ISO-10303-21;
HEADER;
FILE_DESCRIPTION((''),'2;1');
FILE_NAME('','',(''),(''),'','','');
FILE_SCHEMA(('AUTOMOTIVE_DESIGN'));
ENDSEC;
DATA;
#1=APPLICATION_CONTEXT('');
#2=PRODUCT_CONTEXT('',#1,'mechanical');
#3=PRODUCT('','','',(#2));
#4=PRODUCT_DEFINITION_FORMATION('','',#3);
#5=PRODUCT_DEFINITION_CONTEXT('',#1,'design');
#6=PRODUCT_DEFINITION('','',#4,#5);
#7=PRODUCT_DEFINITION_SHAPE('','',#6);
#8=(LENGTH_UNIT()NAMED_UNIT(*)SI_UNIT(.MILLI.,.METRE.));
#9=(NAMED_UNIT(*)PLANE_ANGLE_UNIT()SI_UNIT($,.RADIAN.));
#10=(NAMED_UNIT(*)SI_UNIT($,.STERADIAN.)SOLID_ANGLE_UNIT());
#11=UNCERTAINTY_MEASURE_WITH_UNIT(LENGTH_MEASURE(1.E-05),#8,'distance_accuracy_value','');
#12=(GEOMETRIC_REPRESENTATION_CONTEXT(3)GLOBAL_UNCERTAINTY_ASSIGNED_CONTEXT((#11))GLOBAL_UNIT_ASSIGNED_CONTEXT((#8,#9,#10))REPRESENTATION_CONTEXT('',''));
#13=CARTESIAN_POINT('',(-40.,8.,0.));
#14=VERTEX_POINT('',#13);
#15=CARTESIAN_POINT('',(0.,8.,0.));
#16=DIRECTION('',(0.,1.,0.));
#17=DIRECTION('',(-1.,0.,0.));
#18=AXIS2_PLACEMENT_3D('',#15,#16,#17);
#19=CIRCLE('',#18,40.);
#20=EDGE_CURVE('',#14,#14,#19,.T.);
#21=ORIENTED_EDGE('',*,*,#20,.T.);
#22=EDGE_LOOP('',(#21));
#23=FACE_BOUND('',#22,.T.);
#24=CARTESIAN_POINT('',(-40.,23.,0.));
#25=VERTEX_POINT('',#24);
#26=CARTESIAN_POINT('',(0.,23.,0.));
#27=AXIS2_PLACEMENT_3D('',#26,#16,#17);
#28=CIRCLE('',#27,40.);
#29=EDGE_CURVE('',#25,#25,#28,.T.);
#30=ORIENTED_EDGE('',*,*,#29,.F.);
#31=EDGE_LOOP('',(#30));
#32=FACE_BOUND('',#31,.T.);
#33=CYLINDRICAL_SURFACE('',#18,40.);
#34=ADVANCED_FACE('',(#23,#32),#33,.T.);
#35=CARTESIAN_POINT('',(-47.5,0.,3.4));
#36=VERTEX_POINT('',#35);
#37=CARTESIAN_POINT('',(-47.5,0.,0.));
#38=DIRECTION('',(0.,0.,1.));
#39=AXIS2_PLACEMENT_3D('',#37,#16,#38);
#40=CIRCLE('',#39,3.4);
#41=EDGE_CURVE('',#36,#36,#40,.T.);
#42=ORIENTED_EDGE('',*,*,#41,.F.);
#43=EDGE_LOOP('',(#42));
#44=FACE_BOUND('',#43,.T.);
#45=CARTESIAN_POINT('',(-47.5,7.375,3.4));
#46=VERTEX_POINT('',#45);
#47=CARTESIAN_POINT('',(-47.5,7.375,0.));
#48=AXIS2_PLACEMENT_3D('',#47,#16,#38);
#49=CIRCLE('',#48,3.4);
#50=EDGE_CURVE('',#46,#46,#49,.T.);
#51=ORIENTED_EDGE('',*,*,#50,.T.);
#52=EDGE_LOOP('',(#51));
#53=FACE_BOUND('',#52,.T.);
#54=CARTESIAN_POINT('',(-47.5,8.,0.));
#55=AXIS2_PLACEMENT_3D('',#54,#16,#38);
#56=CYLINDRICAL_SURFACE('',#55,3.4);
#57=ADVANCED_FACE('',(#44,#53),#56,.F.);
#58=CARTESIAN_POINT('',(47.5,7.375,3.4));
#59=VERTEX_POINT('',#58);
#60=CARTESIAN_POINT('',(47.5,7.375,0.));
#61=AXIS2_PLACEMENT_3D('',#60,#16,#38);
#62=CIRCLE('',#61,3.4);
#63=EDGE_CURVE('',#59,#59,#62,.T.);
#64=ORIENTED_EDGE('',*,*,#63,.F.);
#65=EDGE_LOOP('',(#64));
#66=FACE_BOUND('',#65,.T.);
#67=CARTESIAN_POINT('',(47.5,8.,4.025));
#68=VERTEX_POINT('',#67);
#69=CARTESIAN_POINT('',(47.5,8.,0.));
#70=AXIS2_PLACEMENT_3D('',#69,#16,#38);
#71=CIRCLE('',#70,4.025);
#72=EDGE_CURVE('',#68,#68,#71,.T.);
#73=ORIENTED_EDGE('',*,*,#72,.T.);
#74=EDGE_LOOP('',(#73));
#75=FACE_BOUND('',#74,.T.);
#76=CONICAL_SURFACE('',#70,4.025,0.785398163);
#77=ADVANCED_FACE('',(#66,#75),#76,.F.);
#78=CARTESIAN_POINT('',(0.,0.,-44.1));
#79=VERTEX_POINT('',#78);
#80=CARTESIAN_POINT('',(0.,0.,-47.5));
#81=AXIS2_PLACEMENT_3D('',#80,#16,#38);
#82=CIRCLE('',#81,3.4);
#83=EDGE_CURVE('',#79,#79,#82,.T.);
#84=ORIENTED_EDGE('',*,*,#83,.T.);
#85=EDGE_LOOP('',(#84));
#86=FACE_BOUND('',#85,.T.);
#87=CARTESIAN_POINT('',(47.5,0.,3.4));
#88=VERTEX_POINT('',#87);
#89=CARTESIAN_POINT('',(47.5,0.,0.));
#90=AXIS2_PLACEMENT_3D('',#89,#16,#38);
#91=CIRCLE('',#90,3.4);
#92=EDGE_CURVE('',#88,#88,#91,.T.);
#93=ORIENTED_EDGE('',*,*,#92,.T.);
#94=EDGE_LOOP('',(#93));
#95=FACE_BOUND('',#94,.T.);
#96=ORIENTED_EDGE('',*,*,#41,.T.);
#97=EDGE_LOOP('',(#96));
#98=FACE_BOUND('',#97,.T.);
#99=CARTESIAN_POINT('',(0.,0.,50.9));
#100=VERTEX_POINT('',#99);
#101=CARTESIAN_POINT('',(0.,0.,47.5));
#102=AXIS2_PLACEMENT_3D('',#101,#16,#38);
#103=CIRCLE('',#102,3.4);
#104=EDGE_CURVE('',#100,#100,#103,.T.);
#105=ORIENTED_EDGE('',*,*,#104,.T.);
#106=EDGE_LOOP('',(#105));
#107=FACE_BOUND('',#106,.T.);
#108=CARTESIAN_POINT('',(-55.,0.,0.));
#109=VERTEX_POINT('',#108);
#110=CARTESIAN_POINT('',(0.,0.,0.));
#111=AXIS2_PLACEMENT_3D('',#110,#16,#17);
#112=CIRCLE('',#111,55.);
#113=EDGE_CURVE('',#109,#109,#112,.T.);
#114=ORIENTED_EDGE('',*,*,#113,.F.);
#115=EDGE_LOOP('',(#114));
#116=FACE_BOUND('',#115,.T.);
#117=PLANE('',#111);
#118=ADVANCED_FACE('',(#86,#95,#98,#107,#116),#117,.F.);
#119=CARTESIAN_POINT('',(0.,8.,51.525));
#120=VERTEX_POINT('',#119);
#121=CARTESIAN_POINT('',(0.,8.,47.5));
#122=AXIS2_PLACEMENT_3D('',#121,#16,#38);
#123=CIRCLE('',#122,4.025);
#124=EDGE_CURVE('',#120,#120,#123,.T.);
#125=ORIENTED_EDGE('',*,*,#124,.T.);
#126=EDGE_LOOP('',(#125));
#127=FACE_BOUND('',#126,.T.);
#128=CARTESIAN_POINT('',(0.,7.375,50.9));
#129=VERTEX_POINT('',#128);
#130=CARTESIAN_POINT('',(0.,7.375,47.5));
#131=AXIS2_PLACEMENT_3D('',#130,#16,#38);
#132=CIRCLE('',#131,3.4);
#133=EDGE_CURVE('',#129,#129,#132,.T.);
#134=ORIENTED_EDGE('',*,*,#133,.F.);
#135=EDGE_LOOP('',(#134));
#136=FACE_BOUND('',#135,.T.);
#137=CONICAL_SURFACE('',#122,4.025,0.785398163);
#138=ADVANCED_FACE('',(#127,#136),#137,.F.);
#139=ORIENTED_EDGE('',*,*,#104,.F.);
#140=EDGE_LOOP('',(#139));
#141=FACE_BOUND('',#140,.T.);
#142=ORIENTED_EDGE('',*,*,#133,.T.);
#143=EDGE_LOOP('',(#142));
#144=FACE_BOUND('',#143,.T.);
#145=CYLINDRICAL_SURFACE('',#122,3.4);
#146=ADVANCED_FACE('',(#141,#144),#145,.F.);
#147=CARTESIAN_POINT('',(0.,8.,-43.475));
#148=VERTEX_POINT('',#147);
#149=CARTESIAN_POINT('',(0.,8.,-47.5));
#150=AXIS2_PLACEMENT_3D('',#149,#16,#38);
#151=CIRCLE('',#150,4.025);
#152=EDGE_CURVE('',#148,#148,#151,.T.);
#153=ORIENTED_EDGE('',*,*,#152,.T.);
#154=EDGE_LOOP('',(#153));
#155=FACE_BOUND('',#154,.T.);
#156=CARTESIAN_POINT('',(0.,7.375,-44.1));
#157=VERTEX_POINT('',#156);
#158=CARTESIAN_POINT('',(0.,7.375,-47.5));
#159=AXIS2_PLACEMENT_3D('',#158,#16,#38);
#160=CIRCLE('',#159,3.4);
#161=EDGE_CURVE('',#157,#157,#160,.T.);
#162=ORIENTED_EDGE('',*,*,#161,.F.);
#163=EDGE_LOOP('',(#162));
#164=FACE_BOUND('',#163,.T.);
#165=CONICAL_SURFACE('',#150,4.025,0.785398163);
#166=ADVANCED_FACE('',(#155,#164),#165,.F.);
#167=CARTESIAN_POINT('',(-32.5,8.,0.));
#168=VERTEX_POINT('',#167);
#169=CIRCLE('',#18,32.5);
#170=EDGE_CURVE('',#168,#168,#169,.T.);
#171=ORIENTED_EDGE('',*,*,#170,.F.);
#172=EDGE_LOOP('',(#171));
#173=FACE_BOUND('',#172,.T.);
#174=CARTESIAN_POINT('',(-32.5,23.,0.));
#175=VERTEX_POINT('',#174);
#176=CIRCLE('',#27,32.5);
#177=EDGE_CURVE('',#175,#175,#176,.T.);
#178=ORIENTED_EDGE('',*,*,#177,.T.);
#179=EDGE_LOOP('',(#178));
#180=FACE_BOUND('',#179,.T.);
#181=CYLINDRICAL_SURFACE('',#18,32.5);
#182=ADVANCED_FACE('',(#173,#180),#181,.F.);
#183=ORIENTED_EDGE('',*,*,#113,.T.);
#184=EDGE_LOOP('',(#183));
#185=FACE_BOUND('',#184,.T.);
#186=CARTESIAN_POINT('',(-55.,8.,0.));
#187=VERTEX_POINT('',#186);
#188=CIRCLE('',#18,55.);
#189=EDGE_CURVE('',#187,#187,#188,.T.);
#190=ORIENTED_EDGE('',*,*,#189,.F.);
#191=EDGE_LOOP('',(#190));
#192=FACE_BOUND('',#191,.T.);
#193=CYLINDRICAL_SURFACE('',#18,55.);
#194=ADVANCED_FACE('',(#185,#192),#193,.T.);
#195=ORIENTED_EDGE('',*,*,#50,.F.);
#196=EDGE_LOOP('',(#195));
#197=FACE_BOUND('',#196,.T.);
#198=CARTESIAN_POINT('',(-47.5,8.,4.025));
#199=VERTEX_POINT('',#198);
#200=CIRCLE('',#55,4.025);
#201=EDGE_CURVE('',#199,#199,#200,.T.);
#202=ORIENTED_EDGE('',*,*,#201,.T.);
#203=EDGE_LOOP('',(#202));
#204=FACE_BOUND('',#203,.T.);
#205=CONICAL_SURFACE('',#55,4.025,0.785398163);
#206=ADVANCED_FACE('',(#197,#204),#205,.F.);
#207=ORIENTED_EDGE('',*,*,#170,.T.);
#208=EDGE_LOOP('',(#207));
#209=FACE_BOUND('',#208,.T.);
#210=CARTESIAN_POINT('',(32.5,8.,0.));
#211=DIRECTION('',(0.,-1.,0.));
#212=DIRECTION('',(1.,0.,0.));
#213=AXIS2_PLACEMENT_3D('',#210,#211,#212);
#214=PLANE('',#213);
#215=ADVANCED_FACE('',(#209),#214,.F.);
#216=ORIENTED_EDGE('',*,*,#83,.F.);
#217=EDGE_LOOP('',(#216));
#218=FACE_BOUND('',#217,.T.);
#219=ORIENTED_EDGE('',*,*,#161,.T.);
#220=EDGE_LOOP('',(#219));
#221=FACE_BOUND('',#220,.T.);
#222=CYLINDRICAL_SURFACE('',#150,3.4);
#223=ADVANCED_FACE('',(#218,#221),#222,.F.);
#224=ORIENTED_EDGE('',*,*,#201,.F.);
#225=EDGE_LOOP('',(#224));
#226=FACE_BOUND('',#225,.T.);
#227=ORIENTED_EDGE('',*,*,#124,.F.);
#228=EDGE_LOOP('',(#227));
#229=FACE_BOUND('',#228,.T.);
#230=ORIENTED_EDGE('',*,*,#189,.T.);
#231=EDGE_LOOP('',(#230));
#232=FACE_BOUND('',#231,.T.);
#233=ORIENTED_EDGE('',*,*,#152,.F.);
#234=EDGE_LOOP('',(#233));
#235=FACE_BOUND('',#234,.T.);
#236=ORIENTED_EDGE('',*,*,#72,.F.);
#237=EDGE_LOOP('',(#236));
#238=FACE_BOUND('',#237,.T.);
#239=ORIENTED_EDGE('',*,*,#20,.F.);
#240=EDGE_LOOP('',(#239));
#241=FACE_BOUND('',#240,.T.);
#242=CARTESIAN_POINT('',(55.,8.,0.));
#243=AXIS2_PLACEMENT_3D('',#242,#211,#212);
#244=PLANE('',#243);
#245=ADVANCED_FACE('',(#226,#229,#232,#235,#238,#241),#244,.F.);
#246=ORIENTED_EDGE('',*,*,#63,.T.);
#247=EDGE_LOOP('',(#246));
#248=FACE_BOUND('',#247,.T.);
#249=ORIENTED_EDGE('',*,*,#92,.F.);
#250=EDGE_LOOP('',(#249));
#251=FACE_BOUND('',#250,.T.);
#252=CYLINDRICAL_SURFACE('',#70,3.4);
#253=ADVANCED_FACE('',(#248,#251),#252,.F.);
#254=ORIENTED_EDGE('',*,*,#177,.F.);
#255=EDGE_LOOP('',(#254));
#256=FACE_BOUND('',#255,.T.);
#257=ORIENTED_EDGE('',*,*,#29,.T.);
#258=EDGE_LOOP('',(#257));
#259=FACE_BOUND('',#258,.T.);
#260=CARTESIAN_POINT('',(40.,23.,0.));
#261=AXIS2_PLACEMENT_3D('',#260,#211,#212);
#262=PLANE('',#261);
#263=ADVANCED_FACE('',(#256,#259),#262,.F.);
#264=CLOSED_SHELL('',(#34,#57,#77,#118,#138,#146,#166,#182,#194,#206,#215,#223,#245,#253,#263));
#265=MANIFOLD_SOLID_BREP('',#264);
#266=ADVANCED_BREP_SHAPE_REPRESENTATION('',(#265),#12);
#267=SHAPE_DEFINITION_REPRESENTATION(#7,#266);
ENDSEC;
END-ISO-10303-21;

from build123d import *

# Parameters (mm, degrees)
HOLE_WIZARD_M8_1_D           = 6.8
HOLE_WIZARD_M8_1_CSINK_D     = 8.05
HOLE_WIZARD_M8_1_CSINK_ANGLE = 90


with BuildPart() as part:
    # 草图1 → 旋转1 (revolve)
    with BuildSketch(Plane.XY, mode=Mode.PRIVATE) as revolve_1_sk:
        Polygon((0, 0), (55, 0), (55, 8), (40, 8), (40, 23), (32.5, 23), (32.5, 8), (0, 8), align=None)
    revolve(revolve_1_sk.sketch.rotate(Axis((0, 8, 0), (0, -1, 0)), 180), axis=Axis((0, 8, 0), (0, -1, 0)))

    # M8 螺纹孔1 (through all)
    with Locations(Plane(origin=(0, 8, 0), x_dir=(1, 0, 0), z_dir=(0, 1, 0))):
        with Locations((-47.5, 0), (47.5, 0), (0, -47.5), (0, 47.5)):
            CounterSinkHole(HOLE_WIZARD_M8_1_D / 2, HOLE_WIZARD_M8_1_CSINK_D / 2, counter_sink_angle=HOLE_WIZARD_M8_1_CSINK_ANGLE)


solid = part.part
